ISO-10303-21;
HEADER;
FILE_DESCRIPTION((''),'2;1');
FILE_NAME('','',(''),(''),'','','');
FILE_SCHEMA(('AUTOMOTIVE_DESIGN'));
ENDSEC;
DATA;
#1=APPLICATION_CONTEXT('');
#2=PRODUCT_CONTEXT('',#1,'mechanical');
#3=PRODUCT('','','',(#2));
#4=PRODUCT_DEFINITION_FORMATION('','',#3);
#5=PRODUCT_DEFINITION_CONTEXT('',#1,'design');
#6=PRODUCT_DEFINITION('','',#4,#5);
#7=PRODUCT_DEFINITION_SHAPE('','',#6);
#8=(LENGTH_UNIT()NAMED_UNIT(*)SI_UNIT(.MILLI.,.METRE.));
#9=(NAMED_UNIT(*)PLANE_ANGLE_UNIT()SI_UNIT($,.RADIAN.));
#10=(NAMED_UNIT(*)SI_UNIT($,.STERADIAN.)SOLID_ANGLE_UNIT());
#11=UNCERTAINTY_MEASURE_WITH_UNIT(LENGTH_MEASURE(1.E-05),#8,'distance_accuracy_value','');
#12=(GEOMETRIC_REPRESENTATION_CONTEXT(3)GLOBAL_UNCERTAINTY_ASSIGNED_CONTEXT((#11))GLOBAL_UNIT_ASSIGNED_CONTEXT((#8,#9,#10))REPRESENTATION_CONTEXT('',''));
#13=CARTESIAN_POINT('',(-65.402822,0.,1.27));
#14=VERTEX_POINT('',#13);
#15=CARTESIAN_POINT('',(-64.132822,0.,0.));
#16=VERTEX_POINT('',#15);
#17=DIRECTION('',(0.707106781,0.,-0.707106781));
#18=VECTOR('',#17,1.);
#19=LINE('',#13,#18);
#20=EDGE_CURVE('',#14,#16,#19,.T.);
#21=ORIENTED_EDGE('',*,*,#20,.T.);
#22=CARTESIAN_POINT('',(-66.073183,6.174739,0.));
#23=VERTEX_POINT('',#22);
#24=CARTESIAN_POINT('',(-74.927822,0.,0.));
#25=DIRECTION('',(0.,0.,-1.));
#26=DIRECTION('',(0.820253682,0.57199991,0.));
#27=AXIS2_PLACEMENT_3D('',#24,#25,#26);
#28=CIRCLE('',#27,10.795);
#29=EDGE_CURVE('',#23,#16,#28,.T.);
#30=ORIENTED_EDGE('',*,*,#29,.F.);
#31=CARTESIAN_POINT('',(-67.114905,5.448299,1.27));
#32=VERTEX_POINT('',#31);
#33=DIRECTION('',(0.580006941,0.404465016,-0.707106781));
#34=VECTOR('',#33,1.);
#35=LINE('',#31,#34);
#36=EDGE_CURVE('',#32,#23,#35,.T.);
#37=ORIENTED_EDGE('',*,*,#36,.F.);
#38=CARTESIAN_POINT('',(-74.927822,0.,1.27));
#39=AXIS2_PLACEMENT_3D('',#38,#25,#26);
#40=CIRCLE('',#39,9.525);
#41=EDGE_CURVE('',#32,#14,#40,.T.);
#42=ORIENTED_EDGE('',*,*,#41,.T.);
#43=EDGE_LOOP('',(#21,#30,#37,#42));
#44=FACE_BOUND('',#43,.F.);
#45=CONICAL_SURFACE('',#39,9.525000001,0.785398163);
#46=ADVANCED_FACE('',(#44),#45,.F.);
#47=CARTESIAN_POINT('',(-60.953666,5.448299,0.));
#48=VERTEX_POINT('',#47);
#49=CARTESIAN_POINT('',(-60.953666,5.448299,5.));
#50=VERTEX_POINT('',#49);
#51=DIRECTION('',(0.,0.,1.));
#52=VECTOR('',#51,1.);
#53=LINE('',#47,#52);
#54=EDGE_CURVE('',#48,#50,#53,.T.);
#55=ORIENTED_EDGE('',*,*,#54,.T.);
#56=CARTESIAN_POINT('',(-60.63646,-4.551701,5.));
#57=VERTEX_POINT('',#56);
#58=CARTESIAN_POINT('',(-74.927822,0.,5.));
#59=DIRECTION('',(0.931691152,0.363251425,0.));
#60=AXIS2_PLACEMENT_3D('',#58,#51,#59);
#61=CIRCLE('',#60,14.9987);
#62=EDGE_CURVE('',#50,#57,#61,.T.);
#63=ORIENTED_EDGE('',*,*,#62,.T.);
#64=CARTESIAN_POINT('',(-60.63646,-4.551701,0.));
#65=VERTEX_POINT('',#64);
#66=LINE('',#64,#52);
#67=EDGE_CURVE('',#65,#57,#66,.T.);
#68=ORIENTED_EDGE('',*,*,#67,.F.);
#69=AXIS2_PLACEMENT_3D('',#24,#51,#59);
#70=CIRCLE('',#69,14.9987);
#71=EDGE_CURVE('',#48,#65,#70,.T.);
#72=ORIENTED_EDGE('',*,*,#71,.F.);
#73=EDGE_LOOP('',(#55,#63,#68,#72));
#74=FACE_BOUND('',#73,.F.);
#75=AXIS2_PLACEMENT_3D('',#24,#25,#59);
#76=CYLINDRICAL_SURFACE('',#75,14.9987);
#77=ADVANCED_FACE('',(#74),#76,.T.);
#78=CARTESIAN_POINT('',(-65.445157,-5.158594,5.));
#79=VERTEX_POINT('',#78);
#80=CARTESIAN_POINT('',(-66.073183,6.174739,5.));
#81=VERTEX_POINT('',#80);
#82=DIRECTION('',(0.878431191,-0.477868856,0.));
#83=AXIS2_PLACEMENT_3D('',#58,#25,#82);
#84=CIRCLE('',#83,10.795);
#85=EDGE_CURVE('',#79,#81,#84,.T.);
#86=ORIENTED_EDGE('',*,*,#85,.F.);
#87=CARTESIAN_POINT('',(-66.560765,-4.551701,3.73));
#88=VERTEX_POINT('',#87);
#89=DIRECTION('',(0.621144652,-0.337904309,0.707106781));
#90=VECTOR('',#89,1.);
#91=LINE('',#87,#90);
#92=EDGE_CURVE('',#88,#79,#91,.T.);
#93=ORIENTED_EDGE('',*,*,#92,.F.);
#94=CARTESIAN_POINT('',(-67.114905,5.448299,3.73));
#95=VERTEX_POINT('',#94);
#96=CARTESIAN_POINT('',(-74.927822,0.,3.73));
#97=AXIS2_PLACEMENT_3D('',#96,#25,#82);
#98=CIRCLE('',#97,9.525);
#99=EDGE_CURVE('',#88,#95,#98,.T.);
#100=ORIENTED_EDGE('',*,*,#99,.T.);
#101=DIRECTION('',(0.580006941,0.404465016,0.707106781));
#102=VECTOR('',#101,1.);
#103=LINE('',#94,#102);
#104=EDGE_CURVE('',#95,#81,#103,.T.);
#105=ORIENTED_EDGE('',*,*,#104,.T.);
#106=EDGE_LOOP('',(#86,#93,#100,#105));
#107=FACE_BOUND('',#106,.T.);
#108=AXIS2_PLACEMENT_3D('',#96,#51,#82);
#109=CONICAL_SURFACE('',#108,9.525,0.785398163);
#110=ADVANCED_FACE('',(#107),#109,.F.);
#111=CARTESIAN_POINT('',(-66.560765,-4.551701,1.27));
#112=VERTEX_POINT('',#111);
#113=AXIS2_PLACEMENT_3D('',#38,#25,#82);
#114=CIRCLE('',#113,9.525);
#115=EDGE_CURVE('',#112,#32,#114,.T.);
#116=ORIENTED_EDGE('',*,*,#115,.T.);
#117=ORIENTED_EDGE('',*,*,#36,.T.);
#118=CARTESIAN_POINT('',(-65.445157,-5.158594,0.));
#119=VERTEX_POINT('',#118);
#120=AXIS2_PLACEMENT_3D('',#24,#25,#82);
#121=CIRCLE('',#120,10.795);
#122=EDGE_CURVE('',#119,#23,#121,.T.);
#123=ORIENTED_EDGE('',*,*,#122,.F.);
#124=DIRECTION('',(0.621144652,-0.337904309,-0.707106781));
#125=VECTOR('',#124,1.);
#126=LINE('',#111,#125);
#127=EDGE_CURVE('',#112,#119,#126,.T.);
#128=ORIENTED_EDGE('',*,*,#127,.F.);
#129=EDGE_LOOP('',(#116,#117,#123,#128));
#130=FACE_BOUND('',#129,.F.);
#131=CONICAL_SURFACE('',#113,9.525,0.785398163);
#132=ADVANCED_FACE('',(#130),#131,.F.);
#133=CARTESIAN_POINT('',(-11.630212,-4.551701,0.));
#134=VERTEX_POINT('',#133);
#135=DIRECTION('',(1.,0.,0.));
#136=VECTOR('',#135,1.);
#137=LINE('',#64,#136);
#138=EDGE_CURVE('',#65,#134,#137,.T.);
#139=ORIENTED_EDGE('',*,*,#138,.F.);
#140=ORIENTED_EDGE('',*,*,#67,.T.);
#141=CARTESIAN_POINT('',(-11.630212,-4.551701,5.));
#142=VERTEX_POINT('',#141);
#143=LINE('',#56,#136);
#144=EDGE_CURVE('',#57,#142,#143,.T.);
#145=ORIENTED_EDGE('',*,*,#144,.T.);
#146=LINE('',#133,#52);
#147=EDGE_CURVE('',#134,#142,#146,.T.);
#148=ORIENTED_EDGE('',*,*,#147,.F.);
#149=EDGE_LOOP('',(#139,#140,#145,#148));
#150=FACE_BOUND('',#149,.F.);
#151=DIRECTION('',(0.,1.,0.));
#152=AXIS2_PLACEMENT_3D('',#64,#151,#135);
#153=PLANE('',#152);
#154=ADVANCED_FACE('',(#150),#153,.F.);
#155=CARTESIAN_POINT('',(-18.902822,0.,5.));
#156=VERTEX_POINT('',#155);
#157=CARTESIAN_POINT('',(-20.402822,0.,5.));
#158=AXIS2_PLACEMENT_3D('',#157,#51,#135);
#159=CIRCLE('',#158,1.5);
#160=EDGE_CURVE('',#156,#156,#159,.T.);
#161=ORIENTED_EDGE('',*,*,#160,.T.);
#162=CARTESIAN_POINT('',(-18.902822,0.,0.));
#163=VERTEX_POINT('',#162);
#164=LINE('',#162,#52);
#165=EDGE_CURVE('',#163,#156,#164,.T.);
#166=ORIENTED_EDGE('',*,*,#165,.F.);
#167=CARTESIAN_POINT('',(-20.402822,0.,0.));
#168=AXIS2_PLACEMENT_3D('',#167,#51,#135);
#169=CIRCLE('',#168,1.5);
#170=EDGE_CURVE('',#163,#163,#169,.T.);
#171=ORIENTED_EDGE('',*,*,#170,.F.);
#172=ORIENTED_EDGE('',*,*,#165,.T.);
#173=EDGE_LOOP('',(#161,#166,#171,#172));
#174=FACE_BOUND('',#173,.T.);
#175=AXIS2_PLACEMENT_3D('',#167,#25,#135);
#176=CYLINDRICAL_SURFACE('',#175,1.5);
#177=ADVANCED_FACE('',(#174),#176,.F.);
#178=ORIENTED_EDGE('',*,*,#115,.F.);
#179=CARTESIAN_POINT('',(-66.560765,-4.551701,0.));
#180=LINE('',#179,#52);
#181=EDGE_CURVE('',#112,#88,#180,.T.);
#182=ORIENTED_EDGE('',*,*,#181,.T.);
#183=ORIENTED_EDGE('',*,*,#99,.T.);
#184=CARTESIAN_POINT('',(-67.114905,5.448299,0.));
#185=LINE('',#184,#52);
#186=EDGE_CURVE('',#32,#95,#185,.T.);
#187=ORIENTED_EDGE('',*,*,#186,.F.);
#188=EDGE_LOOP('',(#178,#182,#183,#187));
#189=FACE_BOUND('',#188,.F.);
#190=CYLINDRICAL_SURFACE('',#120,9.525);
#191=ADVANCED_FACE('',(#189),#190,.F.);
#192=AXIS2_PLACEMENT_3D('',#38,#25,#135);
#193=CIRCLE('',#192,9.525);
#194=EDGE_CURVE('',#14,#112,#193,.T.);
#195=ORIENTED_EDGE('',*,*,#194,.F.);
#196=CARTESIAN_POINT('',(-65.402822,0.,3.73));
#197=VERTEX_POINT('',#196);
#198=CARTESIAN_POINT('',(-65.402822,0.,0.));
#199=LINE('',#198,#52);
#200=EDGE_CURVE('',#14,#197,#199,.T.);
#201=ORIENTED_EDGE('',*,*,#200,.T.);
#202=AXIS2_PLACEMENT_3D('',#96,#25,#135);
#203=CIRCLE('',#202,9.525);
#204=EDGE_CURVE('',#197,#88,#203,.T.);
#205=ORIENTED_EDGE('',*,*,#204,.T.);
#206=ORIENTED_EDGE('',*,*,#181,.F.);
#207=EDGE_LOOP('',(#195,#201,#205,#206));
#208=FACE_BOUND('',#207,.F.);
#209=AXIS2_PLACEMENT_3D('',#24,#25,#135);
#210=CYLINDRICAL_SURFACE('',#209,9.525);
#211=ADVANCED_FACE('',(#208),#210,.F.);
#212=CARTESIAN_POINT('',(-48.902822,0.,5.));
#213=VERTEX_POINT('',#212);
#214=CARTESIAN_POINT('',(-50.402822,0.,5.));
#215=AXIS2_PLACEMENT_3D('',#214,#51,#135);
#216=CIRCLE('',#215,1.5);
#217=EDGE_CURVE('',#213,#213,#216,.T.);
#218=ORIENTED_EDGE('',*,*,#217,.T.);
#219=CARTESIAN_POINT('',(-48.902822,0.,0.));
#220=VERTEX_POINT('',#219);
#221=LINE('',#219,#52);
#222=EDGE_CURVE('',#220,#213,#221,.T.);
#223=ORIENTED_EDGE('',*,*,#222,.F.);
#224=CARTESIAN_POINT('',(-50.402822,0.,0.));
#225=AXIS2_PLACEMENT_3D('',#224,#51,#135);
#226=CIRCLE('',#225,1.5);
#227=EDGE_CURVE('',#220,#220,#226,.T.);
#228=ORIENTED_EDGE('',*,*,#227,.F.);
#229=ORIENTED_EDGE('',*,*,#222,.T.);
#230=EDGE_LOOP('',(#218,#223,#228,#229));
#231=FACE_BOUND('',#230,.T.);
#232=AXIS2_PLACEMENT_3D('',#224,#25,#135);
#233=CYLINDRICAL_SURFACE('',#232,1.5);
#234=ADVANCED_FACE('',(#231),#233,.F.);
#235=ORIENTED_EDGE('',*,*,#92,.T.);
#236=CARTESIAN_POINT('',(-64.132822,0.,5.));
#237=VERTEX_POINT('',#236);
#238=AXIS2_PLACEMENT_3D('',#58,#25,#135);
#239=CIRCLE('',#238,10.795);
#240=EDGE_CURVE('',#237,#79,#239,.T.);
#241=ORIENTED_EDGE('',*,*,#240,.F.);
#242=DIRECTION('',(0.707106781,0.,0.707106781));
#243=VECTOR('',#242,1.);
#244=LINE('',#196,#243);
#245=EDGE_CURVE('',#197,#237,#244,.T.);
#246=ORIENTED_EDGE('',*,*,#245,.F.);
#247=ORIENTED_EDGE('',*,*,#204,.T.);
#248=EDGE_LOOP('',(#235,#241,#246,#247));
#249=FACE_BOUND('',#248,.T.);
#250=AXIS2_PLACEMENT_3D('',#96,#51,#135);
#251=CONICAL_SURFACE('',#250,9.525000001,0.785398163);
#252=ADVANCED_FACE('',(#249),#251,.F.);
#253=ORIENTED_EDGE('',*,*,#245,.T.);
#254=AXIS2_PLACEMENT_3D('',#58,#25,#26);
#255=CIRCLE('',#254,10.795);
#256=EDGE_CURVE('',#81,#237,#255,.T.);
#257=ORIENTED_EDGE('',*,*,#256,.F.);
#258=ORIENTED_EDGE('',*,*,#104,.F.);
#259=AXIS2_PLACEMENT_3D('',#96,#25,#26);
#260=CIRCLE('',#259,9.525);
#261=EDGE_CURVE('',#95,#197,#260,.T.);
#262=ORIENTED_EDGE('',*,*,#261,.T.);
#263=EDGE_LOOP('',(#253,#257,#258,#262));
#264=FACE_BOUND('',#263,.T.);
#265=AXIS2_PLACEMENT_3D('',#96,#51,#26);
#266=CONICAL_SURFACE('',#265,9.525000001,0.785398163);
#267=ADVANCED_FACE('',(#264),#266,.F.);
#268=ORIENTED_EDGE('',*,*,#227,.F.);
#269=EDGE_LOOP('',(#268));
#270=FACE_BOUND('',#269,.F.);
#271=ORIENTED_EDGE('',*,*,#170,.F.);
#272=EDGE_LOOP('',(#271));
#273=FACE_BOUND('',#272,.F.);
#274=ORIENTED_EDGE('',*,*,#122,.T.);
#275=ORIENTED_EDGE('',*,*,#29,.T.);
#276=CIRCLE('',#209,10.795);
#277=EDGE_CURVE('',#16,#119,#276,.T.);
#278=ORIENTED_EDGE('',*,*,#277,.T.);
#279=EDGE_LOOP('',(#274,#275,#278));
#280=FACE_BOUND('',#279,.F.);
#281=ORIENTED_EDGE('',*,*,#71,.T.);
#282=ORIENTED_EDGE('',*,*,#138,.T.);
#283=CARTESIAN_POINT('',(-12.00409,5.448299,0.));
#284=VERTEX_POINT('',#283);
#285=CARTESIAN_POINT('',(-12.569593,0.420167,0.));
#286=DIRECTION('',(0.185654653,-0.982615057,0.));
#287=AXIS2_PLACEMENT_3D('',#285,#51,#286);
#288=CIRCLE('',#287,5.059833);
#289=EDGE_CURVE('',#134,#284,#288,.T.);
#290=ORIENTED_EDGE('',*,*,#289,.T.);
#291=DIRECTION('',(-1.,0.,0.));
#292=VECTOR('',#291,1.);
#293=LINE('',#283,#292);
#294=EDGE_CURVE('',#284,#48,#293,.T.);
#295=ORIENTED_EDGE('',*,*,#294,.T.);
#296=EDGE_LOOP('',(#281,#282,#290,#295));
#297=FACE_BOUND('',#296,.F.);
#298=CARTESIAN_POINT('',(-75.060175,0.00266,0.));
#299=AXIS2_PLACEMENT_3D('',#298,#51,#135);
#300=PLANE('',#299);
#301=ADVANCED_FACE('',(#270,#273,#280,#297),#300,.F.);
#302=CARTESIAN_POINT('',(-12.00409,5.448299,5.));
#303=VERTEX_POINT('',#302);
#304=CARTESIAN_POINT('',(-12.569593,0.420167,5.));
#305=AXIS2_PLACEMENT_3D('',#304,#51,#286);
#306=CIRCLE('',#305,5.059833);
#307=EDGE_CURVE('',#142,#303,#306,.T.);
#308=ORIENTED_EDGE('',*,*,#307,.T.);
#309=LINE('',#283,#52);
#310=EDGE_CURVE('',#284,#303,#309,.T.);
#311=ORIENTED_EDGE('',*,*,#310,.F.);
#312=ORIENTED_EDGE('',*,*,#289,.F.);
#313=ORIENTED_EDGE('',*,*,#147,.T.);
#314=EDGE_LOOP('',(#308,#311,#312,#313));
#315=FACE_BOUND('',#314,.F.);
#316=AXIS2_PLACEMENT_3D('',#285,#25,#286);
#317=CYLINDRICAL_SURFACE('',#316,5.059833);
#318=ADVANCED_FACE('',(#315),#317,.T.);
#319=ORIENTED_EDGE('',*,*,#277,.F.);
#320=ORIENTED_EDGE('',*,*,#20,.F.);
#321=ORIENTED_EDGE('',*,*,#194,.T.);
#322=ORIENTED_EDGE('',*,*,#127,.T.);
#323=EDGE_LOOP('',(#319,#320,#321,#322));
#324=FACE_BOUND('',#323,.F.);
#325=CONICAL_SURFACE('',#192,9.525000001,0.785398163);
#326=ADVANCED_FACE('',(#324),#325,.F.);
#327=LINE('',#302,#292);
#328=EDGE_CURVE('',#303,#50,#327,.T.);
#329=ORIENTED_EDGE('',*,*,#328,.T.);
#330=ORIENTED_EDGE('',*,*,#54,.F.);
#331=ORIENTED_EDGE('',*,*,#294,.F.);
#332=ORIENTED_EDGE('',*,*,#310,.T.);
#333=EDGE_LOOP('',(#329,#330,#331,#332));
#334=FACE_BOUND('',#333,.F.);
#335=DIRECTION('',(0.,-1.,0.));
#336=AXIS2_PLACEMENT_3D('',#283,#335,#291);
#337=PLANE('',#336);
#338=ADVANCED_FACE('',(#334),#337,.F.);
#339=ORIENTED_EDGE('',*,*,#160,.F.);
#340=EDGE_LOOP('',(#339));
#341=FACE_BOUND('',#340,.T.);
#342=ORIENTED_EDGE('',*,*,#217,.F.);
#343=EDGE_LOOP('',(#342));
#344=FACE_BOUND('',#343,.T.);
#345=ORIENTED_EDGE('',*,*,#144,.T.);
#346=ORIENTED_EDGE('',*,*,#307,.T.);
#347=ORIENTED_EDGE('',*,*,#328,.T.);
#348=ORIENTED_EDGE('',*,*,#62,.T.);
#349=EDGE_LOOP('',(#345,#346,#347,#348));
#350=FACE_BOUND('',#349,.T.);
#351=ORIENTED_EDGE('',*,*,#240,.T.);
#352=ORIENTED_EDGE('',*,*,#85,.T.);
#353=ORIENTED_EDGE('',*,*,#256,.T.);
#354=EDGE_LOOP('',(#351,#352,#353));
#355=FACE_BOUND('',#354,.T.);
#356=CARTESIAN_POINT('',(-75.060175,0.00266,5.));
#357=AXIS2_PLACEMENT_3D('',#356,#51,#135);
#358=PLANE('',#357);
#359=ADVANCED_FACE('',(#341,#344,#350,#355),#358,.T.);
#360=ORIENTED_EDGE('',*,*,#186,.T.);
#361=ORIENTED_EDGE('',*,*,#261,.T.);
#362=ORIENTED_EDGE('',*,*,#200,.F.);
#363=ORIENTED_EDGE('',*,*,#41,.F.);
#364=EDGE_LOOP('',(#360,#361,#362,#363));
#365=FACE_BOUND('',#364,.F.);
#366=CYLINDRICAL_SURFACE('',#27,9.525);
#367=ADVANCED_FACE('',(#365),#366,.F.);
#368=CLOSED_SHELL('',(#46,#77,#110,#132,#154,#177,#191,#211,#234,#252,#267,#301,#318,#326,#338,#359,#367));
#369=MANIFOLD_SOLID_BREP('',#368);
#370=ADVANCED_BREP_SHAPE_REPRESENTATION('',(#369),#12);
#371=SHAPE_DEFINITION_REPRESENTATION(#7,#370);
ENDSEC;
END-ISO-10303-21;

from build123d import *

# Parameters (mm, degrees)
F0_R     = 1.5
F1_DEPTH = 5
F2_SIZE  = 1.27


with BuildPart() as f1:
    # F0 (on Top) → F1 (new body)
    with BuildSketch(Plane.XY):
        with BuildLine():
            Line((-67.1149054365, 5.4482991469), (-60.9536656773, 5.4482991469))
            ThreePointArc((-60.9536656773, 5.4482991469), (-89.9189816406, -0.4755281134), (-60.6364599927, -4.5517008531))
            Line((-60.6364599927, -4.5517008531), (-66.5607646656, -4.5517008531))
            ThreePointArc((-66.5607646656, -4.5517008531), (-84.4382310461, -0.5270105536), (-67.1149054365, 5.4482991469))
        make_face()
        with BuildLine():
            ThreePointArc((-59.9291217554, 0), (-60.1874829455, 2.7718970869), (-60.9536656773, 5.4482991469))
            Line((-60.9536656773, 5.4482991469), (-67.1149054365, 5.4482991469))
            ThreePointArc((-67.1149054365, 5.4482991469), (-65.8409176364, 2.855485691), (-65.4028217554, 0))
            ThreePointArc((-65.4028217554, 0), (-65.69684554, -2.3483405013), (-66.5607646656, -4.5517008531))
            Line((-66.5607646656, -4.5517008531), (-60.6364599927, -4.5517008531))
            ThreePointArc((-60.6364599927, -4.5517008531), (-60.1070112283, -2.3031667351), (-59.9291217554, 0))
        make_face()
        with BuildLine():
            ThreePointArc((-11.6302119568, -4.5517008531), (-7.513293419, 0.6092107253), (-12.0040895417, 5.4482991469))
            Line((-12.0040895417, 5.4482991469), (-60.9536656773, 5.4482991469))
            ThreePointArc((-60.9536656773, 5.4482991469), (-60.1874829455, 2.7718970869), (-59.9291217554, 0))
            ThreePointArc((-59.9291217554, 0), (-60.1070112283, -2.3031667351), (-60.6364599927, -4.5517008531))
            Line((-60.6364599927, -4.5517008531), (-11.6302119568, -4.5517008531))
        make_face()
        with Locations((-50.4028217554, 0)):
            Circle(F0_R, mode=Mode.SUBTRACT)
        with Locations((-20.4028217554, 0)):
            Circle(F0_R, mode=Mode.SUBTRACT)
    extrude(amount=F1_DEPTH)

    # F2
    f2_edges = [f1.edges().sort_by_distance(p)[0] for p in [
        (-82.740738, -5.448299, 5),
        (-82.740738, -5.448299, 0),
    ]]
    chamfer(f2_edges, length=F2_SIZE)


solid = f1.part
